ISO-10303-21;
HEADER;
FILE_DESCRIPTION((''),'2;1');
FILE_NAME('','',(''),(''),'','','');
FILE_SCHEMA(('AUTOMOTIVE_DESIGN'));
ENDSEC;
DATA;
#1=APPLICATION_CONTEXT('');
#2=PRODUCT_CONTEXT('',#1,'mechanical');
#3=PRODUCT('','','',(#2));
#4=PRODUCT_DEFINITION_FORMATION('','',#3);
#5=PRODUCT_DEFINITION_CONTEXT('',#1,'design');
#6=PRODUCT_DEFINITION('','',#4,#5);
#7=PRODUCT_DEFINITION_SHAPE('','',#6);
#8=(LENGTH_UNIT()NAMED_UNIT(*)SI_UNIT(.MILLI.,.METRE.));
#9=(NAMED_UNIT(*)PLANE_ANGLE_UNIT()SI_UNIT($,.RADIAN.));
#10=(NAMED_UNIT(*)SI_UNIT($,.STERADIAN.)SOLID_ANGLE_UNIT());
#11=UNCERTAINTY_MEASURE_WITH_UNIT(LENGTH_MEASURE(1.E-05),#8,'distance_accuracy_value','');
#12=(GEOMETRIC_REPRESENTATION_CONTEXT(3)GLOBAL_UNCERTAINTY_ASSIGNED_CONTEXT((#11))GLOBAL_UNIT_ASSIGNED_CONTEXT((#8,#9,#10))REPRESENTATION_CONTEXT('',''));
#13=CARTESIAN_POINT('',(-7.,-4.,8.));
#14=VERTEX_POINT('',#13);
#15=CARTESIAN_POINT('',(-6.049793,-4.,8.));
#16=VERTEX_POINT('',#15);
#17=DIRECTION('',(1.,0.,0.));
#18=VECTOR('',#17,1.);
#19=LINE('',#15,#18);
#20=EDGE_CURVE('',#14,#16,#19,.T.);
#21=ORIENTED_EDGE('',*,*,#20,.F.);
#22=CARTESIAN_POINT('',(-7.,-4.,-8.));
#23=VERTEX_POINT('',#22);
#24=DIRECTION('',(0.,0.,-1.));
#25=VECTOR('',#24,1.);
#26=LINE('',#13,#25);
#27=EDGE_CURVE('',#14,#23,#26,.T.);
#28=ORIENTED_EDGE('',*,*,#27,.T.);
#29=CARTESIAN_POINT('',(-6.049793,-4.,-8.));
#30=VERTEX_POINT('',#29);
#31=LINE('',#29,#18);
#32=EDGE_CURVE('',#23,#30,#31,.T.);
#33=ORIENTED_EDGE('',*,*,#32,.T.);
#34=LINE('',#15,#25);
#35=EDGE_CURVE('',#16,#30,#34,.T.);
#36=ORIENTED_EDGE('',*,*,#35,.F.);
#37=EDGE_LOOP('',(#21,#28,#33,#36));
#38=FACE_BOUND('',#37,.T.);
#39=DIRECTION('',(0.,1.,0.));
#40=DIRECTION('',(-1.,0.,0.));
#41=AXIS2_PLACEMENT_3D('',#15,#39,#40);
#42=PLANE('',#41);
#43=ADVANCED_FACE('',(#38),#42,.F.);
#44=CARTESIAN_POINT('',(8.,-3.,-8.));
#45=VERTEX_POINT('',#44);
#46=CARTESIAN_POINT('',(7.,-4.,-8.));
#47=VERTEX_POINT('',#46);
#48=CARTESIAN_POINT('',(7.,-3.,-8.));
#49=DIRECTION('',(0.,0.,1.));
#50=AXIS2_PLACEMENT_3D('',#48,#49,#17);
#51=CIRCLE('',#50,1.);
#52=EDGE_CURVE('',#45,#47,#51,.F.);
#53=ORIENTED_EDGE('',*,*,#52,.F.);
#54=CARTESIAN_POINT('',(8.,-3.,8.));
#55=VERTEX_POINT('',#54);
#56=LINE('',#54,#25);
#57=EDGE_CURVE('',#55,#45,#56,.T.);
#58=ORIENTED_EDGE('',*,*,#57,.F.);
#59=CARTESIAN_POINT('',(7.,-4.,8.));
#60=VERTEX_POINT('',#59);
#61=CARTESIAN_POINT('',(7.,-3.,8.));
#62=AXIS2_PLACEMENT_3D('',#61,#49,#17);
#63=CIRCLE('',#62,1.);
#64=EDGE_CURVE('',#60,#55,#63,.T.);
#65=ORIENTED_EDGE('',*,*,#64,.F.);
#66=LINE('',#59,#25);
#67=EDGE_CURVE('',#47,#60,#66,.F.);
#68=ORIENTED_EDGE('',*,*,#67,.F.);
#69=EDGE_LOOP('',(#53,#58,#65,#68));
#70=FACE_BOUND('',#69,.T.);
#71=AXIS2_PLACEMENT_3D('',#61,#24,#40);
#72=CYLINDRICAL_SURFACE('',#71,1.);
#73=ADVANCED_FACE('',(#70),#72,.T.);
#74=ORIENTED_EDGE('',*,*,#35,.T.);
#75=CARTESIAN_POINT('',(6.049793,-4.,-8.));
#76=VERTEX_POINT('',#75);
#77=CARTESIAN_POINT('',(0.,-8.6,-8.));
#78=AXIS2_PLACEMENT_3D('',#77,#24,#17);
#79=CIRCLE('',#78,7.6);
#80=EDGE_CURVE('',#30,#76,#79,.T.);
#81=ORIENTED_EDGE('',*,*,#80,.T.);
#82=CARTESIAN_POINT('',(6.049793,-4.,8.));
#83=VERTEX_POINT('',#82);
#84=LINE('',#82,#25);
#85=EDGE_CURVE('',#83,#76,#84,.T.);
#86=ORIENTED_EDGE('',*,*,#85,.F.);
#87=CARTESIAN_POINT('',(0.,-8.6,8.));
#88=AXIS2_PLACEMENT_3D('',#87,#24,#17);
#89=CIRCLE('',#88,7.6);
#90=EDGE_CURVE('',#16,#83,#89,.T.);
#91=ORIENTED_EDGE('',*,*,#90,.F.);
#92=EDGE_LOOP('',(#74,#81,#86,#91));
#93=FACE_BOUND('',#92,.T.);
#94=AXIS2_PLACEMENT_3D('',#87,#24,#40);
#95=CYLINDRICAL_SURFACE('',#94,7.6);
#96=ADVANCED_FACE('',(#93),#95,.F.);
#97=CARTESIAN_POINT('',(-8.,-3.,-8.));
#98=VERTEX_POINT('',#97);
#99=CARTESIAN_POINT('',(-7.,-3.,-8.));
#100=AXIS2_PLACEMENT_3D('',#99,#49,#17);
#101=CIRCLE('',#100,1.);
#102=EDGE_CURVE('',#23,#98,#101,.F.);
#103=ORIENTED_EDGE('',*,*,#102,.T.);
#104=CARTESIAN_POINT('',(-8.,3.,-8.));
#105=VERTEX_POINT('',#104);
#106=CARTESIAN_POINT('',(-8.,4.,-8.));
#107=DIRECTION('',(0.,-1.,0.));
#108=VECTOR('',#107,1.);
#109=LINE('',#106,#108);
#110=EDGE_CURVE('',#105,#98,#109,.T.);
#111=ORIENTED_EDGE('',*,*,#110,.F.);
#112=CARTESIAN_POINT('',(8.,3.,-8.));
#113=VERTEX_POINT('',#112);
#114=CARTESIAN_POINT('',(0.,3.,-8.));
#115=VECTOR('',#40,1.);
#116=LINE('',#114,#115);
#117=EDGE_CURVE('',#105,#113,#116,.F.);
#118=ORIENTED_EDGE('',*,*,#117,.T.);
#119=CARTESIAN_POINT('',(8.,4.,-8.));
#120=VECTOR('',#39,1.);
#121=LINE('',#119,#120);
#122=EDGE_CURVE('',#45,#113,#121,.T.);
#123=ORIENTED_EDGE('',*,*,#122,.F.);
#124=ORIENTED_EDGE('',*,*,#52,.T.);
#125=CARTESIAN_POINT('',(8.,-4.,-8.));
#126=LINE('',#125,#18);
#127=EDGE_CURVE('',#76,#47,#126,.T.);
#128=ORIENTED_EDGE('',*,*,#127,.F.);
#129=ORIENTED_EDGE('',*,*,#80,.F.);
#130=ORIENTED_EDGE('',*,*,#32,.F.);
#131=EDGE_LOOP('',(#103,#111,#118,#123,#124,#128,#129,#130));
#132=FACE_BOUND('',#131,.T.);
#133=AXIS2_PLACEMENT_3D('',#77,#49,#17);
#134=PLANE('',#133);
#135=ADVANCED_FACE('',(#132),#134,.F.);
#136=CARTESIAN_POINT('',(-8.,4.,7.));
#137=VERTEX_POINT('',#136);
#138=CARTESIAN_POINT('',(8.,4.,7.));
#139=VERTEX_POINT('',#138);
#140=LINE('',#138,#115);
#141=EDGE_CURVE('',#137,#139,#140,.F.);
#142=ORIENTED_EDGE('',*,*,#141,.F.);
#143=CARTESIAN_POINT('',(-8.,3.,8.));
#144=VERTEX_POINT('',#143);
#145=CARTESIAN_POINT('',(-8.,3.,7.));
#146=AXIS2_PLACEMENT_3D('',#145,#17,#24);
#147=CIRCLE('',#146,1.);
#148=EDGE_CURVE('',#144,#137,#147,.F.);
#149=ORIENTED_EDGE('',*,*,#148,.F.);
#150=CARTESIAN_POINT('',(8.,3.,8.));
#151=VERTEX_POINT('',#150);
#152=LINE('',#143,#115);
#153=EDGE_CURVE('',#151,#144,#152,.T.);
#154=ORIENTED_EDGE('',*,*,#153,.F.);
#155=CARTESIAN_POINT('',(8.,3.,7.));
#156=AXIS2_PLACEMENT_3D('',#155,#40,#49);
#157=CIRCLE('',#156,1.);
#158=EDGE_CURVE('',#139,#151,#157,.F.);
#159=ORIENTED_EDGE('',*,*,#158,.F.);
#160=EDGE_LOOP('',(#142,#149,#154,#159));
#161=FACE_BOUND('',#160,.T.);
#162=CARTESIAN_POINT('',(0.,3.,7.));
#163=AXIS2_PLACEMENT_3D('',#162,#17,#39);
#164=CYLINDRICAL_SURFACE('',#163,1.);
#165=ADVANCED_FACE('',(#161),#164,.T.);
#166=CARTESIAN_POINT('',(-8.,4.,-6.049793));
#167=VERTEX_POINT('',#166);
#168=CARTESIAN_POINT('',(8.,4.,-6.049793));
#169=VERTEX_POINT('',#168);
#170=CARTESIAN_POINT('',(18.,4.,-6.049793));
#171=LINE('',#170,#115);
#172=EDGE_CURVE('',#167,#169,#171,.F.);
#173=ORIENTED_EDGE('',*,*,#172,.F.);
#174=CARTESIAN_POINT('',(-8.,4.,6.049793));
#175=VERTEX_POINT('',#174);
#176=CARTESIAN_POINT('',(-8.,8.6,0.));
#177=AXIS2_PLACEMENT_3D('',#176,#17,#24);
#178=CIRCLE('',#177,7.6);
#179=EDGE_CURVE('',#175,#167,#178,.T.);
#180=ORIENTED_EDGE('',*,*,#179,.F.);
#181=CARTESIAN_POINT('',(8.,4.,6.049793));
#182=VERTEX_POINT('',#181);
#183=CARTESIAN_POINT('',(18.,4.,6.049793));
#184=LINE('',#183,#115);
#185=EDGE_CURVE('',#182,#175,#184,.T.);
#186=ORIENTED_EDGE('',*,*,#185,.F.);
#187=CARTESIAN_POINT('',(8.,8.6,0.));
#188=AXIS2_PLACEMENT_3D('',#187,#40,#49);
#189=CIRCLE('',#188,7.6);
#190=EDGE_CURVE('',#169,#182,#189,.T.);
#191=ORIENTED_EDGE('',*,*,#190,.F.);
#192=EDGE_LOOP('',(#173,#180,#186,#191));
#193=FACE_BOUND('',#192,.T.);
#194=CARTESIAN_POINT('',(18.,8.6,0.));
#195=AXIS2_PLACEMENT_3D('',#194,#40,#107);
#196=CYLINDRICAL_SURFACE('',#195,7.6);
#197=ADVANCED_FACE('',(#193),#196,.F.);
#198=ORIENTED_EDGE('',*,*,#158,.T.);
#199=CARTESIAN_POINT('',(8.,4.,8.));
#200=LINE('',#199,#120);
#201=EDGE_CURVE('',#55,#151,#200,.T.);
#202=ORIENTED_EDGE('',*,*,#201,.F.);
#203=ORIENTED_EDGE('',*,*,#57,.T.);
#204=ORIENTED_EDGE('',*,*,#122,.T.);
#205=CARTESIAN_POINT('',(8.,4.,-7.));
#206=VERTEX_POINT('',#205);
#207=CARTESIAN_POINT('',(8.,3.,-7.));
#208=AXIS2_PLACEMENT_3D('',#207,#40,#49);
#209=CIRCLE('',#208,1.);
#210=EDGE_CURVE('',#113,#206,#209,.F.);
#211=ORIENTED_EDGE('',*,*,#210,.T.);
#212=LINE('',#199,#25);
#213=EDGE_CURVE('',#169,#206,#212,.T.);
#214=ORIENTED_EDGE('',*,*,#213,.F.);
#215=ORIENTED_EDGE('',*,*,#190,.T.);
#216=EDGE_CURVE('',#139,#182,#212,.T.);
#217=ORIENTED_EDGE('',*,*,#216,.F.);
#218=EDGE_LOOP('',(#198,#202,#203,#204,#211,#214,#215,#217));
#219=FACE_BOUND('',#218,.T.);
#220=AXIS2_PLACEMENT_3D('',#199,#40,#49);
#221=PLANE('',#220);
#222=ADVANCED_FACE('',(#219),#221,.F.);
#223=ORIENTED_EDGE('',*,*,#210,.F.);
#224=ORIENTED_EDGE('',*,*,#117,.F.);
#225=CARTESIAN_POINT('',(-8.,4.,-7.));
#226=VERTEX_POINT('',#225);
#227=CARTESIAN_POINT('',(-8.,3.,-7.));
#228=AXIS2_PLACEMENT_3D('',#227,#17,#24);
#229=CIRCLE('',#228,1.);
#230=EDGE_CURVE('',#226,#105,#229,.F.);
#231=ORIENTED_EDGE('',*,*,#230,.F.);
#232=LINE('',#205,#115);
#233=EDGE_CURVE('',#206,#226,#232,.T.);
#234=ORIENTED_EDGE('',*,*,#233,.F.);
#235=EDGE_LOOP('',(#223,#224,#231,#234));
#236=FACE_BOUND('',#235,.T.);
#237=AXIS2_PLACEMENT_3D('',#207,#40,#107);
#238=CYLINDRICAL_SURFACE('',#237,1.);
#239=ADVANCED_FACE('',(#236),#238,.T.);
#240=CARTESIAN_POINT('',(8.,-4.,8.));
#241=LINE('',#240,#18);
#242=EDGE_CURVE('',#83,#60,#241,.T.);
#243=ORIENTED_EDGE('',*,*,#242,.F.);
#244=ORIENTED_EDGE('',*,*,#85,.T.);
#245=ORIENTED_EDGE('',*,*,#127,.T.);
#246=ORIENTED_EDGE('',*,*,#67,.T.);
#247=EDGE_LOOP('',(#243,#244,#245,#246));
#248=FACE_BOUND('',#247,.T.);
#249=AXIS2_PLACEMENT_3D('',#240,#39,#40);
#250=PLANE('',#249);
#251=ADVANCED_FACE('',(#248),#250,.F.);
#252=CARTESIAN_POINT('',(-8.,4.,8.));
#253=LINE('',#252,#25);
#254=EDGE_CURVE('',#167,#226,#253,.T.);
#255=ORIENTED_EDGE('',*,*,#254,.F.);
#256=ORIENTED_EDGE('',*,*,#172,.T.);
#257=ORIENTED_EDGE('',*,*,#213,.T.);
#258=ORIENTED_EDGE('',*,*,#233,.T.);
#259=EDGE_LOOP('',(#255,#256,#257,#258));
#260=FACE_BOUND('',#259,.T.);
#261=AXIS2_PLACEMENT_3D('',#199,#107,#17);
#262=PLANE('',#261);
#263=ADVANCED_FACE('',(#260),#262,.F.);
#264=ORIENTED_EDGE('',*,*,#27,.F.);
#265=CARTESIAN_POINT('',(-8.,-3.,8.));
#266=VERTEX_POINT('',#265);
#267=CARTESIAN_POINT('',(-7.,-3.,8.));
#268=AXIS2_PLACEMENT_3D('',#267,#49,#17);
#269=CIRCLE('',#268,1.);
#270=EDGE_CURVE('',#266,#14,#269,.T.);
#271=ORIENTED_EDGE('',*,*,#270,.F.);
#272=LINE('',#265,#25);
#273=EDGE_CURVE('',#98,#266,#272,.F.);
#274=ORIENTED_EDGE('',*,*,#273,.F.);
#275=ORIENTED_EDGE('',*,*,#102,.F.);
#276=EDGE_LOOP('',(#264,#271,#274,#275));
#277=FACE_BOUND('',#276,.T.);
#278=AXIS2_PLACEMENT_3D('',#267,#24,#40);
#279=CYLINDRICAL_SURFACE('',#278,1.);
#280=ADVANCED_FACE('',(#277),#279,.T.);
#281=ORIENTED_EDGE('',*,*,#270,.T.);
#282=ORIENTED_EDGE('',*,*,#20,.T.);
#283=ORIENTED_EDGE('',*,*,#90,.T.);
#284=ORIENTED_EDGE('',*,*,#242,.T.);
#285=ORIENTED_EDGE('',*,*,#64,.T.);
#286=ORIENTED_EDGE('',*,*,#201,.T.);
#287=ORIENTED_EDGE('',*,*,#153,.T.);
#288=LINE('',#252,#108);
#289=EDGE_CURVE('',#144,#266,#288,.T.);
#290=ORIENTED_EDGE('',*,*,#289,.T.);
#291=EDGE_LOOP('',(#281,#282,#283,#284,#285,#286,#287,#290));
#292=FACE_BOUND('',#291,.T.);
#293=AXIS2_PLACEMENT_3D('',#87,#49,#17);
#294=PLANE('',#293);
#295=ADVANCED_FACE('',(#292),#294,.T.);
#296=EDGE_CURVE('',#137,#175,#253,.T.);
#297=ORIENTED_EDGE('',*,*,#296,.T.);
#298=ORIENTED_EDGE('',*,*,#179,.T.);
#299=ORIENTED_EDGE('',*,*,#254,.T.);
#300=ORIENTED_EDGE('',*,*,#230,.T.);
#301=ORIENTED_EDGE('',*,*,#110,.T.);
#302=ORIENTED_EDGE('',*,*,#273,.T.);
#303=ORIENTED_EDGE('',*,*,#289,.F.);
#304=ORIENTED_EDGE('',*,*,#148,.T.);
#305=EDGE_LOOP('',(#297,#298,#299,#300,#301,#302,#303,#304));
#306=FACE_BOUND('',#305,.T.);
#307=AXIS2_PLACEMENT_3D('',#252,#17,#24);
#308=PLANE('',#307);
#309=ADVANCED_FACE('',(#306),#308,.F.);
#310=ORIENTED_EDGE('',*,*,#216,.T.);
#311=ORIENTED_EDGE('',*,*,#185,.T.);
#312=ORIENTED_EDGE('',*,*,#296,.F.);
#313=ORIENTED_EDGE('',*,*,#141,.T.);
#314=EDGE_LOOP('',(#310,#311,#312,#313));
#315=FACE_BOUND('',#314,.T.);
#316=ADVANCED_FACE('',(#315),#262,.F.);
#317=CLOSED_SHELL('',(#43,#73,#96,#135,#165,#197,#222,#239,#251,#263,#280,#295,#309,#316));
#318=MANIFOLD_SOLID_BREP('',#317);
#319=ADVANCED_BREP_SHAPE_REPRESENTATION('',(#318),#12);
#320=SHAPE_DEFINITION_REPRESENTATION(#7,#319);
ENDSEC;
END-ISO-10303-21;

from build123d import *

# Parameters (mm, degrees)
BOSS_EXTRUDE1_DEPTH = 8
SKETCH2_R           = 7.6
CUT_EXTRUDE1_DEPTH  = 26
FILLET1_R           = 1


with BuildPart() as part:
    # Sketch1 → Boss-Extrude1 (new body, symmetric)
    with BuildSketch(Plane.XY):
        with BuildLine():
            Line((8, 4), (-8, 4))
            Line((-8, 4), (-8, -4))
            Line((-8, -4), (-6.049793385, -4))
            ThreePointArc((-6.049793385, -4), (0, -1), (6.049793385, -4))
            Line((6.049793385, -4), (8, -4))
            Line((8, -4), (8, 4))
        make_face()
    extrude(amount=BOSS_EXTRUDE1_DEPTH, both=True)

    # Sketch2 → Cut-Extrude1 (cut)
    with BuildSketch(Plane.ZY.offset(8)):
        with Locations((0, 8.6)):
            Circle(SKETCH2_R)
    extrude(amount=-CUT_EXTRUDE1_DEPTH, mode=Mode.SUBTRACT)

    # Fillet1
    fillet1_edges = [part.edges().sort_by_distance(p)[0] for p in [
        (8, -4, 0),
        (-8, -4, 0),
        (0, 4, -8),
        (0, 4, 8),
    ]]
    fillet(fillet1_edges, radius=FILLET1_R)


solid = part.part
